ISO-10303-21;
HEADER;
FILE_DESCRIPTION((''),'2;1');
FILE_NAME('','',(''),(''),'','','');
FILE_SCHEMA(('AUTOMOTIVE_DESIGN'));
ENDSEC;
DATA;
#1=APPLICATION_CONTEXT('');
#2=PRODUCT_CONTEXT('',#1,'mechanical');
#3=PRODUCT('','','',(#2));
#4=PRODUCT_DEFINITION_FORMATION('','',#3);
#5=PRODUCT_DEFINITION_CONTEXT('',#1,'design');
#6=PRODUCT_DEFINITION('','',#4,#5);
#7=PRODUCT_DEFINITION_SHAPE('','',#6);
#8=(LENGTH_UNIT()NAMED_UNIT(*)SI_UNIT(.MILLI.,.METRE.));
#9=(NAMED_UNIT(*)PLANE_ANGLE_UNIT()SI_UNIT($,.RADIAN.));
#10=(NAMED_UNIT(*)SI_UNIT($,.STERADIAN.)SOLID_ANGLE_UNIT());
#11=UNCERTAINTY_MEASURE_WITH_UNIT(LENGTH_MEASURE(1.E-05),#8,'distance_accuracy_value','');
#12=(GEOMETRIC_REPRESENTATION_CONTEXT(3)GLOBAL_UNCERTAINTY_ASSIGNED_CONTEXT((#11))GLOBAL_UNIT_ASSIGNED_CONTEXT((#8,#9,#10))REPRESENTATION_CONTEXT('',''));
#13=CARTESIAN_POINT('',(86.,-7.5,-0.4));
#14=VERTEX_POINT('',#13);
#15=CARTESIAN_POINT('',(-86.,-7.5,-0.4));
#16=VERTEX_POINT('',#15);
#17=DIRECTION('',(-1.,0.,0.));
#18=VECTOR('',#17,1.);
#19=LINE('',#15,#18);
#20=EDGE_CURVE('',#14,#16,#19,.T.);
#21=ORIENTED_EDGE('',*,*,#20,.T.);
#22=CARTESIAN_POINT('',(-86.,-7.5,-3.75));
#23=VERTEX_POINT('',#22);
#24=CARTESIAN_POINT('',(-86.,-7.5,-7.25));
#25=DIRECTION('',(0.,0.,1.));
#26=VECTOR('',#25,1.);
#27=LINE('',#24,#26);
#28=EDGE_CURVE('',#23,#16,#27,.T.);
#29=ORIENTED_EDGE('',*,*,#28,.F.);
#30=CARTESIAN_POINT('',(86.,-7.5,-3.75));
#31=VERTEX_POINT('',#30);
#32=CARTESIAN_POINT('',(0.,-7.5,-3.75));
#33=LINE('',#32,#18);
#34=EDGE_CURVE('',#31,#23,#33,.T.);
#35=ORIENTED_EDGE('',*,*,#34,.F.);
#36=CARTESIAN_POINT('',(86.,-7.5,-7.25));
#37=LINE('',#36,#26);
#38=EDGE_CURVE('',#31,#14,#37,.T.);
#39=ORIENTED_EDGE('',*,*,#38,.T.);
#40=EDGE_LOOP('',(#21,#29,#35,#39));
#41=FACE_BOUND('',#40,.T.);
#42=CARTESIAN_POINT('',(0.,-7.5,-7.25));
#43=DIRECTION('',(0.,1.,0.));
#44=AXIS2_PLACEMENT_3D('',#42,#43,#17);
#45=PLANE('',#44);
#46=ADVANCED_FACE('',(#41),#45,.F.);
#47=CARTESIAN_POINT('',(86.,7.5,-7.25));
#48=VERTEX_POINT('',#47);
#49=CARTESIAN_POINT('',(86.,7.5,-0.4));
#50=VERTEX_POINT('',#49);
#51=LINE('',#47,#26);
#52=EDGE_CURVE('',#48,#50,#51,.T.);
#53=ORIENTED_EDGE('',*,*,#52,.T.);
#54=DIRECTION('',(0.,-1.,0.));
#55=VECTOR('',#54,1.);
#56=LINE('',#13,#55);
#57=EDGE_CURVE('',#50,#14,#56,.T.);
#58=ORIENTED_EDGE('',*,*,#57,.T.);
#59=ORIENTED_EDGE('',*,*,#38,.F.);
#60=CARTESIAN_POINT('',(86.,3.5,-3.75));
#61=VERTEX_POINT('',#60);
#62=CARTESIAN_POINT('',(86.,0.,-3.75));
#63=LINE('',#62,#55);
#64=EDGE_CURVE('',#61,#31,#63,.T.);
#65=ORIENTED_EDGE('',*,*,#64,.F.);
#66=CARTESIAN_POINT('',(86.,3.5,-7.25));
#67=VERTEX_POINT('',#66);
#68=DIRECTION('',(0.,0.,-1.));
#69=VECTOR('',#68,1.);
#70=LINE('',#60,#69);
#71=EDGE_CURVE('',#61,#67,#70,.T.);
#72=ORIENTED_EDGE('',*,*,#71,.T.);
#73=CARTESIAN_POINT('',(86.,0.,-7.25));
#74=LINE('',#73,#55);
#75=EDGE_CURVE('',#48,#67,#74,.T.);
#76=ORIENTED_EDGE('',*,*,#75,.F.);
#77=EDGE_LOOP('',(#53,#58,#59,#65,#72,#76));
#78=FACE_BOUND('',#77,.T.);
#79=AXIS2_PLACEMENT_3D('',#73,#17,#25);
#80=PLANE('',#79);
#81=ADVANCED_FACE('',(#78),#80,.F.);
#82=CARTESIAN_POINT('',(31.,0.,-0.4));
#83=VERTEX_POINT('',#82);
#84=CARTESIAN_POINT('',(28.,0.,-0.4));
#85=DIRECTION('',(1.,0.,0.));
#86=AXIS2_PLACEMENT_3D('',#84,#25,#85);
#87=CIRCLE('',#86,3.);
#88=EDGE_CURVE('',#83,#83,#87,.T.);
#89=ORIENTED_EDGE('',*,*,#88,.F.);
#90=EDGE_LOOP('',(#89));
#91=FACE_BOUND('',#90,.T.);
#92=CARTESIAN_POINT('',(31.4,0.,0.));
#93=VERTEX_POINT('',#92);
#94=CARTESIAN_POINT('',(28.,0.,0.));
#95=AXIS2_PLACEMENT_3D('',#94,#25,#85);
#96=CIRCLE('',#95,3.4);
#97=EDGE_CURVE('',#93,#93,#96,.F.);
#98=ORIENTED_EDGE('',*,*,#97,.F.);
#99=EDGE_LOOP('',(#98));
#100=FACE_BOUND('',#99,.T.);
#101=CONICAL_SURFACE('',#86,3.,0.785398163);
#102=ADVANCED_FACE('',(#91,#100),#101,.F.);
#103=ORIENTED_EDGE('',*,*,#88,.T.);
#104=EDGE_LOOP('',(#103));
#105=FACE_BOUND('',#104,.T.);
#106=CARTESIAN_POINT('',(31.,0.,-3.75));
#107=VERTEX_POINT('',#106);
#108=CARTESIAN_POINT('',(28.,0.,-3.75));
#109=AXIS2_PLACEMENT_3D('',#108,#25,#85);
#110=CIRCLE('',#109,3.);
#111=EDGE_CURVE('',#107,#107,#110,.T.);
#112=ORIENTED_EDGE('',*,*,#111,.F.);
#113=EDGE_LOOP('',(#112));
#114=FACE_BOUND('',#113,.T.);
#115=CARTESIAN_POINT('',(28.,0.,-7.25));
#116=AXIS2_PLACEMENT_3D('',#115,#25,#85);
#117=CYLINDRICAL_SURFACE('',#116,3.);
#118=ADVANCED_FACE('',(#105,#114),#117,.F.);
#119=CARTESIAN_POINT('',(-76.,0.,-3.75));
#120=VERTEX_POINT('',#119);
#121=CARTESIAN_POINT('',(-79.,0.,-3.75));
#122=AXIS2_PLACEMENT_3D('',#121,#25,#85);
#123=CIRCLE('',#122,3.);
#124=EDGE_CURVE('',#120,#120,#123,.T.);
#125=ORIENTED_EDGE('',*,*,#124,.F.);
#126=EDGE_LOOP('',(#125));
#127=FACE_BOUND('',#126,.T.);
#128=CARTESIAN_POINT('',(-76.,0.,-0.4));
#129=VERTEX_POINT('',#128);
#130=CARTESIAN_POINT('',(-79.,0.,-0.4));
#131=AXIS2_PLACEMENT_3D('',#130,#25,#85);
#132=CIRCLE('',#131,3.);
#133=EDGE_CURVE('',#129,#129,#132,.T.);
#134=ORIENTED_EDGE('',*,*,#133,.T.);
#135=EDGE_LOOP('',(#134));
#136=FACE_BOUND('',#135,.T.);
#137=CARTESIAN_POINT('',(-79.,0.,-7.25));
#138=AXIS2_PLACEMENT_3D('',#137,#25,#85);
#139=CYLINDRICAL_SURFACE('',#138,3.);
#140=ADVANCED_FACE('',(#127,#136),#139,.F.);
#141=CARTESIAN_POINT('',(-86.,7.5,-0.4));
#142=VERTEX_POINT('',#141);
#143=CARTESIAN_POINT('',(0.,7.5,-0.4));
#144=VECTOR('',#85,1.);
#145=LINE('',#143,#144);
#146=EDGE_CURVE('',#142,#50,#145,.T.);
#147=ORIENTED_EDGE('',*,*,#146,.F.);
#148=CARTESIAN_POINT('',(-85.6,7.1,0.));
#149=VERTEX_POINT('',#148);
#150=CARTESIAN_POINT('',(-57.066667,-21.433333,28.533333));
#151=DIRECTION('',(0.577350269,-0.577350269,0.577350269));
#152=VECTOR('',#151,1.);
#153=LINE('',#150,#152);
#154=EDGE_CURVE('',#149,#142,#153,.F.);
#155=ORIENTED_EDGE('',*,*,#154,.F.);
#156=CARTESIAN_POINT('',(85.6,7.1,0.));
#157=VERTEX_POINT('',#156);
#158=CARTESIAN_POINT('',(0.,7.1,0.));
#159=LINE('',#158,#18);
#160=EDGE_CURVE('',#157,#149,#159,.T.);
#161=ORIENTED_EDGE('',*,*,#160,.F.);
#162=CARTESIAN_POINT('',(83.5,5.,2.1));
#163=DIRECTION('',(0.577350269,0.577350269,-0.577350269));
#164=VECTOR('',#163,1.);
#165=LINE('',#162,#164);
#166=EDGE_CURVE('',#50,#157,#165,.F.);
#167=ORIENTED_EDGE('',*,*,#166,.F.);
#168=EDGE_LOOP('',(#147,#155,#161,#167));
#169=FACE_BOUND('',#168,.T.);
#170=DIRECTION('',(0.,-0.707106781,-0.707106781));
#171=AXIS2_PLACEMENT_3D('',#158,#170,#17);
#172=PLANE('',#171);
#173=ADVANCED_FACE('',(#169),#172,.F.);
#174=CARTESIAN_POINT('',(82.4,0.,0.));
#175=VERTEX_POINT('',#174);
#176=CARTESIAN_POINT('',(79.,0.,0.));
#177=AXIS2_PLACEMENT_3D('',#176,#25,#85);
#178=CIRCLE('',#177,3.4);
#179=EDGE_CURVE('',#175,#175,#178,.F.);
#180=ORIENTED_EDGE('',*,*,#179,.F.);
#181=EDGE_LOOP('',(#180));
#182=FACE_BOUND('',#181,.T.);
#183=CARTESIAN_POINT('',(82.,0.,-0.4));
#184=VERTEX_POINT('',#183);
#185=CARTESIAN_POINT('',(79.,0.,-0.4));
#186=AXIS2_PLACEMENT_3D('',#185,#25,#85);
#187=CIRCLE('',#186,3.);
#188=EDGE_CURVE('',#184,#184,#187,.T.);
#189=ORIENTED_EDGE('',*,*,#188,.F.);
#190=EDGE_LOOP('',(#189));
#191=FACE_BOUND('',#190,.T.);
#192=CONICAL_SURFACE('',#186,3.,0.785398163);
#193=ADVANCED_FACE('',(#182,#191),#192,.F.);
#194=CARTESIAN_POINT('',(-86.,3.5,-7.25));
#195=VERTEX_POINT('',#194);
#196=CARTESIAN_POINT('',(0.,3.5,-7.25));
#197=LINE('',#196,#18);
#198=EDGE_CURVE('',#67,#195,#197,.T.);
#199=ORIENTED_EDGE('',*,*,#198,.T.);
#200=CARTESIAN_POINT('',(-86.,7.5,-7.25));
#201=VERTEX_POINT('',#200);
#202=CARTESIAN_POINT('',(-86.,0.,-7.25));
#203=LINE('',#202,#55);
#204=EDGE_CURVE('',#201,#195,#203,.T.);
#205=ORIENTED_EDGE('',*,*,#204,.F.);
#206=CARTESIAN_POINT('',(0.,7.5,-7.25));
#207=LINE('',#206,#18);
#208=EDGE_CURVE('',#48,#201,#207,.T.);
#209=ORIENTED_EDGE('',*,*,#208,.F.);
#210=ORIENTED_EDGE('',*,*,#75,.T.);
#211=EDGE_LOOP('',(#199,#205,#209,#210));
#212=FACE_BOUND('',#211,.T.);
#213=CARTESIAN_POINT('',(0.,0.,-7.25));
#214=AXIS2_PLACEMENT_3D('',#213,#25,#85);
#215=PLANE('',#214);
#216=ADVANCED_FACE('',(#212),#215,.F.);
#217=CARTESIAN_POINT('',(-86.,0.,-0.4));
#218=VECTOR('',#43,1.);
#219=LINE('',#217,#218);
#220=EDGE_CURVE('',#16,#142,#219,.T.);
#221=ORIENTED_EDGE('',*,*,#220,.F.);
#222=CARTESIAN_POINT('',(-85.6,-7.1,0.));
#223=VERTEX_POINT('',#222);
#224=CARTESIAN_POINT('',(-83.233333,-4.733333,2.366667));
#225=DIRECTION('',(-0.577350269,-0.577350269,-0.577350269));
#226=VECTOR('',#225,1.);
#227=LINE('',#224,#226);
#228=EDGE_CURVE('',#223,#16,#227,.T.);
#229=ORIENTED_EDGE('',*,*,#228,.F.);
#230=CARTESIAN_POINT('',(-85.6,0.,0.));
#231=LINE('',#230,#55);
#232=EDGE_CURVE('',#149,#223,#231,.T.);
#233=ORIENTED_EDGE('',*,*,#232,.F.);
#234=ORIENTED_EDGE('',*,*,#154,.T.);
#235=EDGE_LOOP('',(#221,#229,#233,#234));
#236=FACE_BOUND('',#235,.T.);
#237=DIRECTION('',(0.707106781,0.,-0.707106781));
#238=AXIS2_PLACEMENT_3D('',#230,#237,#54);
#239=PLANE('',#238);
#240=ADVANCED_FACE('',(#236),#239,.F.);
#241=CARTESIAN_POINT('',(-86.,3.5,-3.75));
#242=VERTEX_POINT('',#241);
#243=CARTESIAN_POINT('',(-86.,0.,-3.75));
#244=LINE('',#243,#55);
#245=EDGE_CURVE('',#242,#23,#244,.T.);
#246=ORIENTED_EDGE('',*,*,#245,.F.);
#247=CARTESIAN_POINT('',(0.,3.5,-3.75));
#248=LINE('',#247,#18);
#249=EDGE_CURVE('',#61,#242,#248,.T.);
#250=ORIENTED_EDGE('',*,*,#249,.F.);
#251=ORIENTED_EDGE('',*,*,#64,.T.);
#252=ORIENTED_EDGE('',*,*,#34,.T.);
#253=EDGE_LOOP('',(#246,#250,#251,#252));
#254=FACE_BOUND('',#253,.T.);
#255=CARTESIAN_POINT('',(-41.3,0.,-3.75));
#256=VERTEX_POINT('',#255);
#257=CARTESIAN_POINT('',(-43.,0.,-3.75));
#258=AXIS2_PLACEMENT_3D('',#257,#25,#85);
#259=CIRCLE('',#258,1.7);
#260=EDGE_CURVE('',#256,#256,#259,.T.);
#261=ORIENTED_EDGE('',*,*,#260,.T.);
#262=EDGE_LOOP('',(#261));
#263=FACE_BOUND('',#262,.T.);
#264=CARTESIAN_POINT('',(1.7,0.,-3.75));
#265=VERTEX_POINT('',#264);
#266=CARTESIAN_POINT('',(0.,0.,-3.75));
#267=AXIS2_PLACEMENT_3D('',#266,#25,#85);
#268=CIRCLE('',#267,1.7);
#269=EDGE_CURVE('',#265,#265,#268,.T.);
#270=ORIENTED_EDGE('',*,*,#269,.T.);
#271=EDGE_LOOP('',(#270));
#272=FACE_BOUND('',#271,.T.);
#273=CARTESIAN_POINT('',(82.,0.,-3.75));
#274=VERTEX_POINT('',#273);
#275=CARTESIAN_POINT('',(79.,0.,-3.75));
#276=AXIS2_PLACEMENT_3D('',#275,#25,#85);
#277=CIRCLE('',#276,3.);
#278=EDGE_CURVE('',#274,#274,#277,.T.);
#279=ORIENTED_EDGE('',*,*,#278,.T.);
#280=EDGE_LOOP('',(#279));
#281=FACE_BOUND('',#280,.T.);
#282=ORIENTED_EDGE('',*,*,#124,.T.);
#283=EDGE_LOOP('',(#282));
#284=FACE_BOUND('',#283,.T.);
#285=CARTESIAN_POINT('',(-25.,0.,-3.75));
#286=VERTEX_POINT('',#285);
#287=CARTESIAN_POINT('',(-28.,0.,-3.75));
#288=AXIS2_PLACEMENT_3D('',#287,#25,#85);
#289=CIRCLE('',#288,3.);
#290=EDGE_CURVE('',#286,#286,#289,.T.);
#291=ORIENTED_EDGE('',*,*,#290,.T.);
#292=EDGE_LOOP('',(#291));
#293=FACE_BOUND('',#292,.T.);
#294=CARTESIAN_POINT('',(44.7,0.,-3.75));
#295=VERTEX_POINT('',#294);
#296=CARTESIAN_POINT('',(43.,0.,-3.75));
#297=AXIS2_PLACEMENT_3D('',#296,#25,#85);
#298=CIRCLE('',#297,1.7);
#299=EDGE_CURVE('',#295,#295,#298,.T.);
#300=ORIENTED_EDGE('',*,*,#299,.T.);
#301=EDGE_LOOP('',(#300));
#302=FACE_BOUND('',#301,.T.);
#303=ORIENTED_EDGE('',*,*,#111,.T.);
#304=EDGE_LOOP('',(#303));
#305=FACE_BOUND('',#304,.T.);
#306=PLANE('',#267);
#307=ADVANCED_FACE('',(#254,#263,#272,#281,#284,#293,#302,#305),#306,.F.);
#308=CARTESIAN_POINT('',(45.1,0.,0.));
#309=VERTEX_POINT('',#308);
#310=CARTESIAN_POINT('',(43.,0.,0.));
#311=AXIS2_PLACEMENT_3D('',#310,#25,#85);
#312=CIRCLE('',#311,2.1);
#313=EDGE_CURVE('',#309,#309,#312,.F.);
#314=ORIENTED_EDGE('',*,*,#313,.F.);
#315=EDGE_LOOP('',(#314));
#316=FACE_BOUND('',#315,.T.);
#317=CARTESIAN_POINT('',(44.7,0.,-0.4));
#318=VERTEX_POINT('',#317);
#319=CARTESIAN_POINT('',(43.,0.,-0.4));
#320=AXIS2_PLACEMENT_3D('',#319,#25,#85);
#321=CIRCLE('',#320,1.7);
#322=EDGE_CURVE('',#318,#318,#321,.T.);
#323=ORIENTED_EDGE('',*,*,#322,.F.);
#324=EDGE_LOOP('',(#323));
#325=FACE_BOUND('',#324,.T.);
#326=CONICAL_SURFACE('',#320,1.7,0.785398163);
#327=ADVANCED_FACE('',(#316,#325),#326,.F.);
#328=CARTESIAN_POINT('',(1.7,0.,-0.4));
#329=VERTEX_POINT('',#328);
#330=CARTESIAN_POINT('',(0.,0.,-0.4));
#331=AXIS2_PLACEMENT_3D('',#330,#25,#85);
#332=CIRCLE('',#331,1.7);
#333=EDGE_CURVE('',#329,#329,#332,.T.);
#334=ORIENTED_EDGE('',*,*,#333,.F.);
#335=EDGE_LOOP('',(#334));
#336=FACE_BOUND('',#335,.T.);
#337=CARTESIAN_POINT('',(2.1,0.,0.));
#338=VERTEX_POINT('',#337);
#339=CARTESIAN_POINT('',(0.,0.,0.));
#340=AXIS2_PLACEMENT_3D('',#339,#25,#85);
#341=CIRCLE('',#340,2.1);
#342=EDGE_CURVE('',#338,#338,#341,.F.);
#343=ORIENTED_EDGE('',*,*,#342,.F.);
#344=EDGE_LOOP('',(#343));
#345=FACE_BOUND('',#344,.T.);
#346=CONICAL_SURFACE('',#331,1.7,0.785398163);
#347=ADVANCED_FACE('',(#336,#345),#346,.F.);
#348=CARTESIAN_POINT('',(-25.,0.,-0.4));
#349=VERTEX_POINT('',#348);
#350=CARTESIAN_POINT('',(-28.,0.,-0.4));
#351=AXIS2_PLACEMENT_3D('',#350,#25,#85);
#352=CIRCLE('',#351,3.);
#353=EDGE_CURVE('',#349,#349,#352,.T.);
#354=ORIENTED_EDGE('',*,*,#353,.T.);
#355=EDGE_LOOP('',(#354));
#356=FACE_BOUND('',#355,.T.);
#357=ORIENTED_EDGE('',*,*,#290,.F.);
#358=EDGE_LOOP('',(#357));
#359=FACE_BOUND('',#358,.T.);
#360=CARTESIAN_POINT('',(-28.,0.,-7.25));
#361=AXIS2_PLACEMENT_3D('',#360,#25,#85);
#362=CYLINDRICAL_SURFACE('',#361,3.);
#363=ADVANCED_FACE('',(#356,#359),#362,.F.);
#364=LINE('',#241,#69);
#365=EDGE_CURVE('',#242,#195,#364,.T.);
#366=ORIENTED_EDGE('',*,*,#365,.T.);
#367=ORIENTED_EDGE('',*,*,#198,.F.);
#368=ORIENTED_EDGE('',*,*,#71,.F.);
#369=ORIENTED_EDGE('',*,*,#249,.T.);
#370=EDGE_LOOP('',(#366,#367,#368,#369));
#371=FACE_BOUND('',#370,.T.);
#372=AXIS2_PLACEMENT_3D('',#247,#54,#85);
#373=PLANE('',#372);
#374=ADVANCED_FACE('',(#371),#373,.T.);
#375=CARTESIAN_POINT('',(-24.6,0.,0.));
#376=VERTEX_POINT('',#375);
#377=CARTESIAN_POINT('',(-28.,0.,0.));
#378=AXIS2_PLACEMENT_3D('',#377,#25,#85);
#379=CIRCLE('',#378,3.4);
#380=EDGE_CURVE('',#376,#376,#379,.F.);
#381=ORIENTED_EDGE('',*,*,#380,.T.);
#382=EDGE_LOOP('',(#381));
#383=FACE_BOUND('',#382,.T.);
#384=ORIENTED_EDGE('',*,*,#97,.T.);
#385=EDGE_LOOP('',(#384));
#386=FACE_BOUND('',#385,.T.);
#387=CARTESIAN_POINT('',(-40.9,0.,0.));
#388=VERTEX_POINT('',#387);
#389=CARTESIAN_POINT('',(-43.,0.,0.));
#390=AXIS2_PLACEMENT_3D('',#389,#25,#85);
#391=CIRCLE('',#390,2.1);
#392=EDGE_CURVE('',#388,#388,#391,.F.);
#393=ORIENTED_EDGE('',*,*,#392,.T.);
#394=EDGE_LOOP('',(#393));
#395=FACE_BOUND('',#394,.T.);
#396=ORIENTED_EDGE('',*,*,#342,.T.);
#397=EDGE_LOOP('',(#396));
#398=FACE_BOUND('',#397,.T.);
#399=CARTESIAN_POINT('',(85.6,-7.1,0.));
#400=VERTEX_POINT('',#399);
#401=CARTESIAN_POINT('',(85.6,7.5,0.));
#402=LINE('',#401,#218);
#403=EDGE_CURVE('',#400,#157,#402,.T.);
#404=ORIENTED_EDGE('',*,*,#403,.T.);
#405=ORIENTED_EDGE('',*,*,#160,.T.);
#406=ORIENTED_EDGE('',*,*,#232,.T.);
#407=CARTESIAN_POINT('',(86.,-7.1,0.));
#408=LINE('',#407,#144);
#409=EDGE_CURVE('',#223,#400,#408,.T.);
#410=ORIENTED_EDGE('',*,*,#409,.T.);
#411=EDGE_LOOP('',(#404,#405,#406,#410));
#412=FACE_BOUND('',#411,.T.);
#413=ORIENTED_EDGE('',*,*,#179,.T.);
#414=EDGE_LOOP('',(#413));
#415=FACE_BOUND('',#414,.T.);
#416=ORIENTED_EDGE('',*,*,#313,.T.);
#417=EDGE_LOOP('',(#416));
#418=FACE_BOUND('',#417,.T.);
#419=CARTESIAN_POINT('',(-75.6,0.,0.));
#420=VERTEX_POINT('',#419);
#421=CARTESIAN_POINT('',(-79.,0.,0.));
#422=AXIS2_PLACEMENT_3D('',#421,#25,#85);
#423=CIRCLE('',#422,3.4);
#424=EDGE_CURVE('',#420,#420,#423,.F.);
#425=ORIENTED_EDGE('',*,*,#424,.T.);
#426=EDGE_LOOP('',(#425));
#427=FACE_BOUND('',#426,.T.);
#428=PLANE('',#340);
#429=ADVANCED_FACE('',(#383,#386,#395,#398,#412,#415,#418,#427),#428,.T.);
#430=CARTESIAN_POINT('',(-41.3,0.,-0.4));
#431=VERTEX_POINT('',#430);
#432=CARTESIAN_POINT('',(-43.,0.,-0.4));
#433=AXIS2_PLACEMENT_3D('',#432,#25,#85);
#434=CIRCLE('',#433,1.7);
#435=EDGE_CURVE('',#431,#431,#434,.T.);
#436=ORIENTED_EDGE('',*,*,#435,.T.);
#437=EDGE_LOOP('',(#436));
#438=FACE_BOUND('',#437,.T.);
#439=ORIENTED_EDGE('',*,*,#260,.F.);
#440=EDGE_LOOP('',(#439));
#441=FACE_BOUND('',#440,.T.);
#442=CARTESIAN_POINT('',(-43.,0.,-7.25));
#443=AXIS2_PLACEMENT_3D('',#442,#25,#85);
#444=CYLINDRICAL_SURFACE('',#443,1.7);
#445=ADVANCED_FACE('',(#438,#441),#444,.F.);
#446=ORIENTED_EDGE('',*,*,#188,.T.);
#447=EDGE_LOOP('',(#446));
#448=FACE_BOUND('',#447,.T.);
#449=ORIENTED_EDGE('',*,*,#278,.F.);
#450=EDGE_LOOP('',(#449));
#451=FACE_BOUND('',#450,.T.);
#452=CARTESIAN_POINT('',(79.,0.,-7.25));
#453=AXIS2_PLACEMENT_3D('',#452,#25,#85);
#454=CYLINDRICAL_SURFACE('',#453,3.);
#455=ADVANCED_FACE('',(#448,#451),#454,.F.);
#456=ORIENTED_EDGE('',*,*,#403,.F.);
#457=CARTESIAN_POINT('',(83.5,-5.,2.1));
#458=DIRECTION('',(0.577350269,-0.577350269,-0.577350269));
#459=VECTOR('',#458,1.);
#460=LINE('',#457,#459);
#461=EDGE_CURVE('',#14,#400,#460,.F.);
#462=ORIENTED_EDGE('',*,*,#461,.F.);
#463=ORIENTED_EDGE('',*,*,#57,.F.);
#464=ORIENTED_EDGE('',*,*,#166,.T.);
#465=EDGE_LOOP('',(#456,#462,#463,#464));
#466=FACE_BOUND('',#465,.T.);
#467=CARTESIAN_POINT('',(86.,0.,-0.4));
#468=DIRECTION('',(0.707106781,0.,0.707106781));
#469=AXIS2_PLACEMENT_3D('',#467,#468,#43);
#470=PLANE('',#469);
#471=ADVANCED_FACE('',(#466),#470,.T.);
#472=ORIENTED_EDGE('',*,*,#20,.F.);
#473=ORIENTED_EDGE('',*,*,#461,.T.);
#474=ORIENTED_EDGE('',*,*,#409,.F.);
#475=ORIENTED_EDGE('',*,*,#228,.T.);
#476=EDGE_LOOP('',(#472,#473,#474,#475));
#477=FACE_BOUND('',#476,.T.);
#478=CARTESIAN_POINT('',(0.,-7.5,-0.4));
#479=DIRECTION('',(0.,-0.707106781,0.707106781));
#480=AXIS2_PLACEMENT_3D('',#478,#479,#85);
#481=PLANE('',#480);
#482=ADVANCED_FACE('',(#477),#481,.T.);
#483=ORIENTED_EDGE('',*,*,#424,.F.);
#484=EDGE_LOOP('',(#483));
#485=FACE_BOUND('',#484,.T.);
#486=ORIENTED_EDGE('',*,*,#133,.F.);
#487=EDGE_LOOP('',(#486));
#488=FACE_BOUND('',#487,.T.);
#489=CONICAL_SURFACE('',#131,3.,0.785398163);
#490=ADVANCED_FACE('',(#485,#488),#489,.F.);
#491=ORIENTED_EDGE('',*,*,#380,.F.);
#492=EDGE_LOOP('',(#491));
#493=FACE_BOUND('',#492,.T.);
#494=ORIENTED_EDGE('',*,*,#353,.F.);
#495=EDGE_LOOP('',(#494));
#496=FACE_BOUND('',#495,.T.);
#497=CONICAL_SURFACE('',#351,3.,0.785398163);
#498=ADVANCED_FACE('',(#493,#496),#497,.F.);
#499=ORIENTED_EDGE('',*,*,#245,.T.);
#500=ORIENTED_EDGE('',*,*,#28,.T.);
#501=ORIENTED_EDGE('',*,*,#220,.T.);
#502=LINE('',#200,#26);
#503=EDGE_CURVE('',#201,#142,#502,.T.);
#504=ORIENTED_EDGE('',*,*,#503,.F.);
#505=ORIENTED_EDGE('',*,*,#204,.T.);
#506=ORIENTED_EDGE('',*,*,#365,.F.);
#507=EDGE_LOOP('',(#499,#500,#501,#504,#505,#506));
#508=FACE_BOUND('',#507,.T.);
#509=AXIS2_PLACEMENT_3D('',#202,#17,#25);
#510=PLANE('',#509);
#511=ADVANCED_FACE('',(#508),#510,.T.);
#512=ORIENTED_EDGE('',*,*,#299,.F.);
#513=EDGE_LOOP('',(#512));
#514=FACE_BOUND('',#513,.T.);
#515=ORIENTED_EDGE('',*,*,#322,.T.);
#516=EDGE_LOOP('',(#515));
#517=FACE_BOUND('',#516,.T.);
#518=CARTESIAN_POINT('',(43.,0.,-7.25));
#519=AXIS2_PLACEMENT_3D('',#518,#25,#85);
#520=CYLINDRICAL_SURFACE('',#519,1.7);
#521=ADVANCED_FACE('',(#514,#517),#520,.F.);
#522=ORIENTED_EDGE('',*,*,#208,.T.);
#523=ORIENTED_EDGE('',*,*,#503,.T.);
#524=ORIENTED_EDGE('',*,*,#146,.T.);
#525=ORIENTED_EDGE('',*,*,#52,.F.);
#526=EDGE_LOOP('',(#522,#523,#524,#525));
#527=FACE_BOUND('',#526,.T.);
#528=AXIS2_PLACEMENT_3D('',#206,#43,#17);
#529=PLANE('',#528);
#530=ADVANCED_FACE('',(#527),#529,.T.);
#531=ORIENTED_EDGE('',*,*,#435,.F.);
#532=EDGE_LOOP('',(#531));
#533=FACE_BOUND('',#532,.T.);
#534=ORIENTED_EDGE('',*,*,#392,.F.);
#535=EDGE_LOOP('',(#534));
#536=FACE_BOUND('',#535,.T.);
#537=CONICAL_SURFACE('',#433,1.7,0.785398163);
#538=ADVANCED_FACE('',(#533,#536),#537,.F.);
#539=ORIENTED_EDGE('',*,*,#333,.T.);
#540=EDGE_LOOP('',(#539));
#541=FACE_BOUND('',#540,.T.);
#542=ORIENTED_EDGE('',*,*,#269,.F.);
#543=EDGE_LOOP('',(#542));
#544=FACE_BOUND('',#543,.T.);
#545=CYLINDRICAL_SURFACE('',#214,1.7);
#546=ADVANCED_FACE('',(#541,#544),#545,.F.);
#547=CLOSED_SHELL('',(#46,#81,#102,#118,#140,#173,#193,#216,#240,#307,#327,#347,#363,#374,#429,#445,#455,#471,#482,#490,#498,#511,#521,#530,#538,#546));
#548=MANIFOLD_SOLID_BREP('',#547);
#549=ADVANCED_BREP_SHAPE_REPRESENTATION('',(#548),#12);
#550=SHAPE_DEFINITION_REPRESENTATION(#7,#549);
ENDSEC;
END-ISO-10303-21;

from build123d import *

# Parameters (mm, degrees)
SKETCH1_W               = 172
SKETCH1_H               = 15
BOSS_EXTRUDE1_DEPTH     = 7.25
CUT_EXTRUDE1_START      = -7.25
SKETCH1_6_W             = 172
SKETCH1_6_H             = 11
CUT_EXTRUDE1_DEPTH      = 3.5
SKETCH2_R               = 1.7
SKETCH2_R_2             = 3
CUT_EXTRUDE2_DEPTH      = 1
CUT_EXTRUDE2_DEPTH_BACK = 8.25
CHAMFER1_SIZE           = 0.4


with BuildPart() as part:
    # Sketch1 → Boss-Extrude1 (new body)
    with BuildSketch(Plane.XY):
        Rectangle(SKETCH1_W, SKETCH1_H)
    extrude(amount=-BOSS_EXTRUDE1_DEPTH)

    # Sketch1<6> → Cut-Extrude1 (cut)
    with BuildSketch(Plane.XY.offset(CUT_EXTRUDE1_START)):
        with Locations((0, -2)):
            Rectangle(SKETCH1_6_W, SKETCH1_6_H)
    extrude(amount=CUT_EXTRUDE1_DEPTH, mode=Mode.SUBTRACT)

    # Sketch2 → Cut-Extrude2 (cut, two sides)
    with BuildSketch(Plane.XY) as cut_extrude2_sk:
        with Locations((-43, 0)):
            Circle(SKETCH2_R)
        Circle(SKETCH2_R)
        with Locations((43, 0)):
            Circle(SKETCH2_R)
        with Locations((-79, 0)):
            Circle(SKETCH2_R_2)
        with Locations((79, 0)):
            Circle(SKETCH2_R_2)
        with Locations((-28, 0)):
            Circle(SKETCH2_R_2)
        with Locations((28, 0)):
            Circle(SKETCH2_R_2)
    extrude(amount=CUT_EXTRUDE2_DEPTH, mode=Mode.SUBTRACT)
    extrude(cut_extrude2_sk.sketch, amount=-CUT_EXTRUDE2_DEPTH_BACK, mode=Mode.SUBTRACT)

    # Chamfer1
    chamfer1_edges = [part.edges().sort_by_distance(p)[0] for p in [
        (76, 0, 0),
        (-82, 0, 0),
        (41.3, 0, 0),
        (-44.7, 0, 0),
        (-31, 0, 0),
        (25, 0, 0),
        (-1.7, 0, 0),
        (0, -7.5, 0),
        (-86, 0, 0),
        (0, 7.5, 0),
        (86, 0, 0),
    ]]
    chamfer(chamfer1_edges, length=CHAMFER1_SIZE)


solid = part.part
